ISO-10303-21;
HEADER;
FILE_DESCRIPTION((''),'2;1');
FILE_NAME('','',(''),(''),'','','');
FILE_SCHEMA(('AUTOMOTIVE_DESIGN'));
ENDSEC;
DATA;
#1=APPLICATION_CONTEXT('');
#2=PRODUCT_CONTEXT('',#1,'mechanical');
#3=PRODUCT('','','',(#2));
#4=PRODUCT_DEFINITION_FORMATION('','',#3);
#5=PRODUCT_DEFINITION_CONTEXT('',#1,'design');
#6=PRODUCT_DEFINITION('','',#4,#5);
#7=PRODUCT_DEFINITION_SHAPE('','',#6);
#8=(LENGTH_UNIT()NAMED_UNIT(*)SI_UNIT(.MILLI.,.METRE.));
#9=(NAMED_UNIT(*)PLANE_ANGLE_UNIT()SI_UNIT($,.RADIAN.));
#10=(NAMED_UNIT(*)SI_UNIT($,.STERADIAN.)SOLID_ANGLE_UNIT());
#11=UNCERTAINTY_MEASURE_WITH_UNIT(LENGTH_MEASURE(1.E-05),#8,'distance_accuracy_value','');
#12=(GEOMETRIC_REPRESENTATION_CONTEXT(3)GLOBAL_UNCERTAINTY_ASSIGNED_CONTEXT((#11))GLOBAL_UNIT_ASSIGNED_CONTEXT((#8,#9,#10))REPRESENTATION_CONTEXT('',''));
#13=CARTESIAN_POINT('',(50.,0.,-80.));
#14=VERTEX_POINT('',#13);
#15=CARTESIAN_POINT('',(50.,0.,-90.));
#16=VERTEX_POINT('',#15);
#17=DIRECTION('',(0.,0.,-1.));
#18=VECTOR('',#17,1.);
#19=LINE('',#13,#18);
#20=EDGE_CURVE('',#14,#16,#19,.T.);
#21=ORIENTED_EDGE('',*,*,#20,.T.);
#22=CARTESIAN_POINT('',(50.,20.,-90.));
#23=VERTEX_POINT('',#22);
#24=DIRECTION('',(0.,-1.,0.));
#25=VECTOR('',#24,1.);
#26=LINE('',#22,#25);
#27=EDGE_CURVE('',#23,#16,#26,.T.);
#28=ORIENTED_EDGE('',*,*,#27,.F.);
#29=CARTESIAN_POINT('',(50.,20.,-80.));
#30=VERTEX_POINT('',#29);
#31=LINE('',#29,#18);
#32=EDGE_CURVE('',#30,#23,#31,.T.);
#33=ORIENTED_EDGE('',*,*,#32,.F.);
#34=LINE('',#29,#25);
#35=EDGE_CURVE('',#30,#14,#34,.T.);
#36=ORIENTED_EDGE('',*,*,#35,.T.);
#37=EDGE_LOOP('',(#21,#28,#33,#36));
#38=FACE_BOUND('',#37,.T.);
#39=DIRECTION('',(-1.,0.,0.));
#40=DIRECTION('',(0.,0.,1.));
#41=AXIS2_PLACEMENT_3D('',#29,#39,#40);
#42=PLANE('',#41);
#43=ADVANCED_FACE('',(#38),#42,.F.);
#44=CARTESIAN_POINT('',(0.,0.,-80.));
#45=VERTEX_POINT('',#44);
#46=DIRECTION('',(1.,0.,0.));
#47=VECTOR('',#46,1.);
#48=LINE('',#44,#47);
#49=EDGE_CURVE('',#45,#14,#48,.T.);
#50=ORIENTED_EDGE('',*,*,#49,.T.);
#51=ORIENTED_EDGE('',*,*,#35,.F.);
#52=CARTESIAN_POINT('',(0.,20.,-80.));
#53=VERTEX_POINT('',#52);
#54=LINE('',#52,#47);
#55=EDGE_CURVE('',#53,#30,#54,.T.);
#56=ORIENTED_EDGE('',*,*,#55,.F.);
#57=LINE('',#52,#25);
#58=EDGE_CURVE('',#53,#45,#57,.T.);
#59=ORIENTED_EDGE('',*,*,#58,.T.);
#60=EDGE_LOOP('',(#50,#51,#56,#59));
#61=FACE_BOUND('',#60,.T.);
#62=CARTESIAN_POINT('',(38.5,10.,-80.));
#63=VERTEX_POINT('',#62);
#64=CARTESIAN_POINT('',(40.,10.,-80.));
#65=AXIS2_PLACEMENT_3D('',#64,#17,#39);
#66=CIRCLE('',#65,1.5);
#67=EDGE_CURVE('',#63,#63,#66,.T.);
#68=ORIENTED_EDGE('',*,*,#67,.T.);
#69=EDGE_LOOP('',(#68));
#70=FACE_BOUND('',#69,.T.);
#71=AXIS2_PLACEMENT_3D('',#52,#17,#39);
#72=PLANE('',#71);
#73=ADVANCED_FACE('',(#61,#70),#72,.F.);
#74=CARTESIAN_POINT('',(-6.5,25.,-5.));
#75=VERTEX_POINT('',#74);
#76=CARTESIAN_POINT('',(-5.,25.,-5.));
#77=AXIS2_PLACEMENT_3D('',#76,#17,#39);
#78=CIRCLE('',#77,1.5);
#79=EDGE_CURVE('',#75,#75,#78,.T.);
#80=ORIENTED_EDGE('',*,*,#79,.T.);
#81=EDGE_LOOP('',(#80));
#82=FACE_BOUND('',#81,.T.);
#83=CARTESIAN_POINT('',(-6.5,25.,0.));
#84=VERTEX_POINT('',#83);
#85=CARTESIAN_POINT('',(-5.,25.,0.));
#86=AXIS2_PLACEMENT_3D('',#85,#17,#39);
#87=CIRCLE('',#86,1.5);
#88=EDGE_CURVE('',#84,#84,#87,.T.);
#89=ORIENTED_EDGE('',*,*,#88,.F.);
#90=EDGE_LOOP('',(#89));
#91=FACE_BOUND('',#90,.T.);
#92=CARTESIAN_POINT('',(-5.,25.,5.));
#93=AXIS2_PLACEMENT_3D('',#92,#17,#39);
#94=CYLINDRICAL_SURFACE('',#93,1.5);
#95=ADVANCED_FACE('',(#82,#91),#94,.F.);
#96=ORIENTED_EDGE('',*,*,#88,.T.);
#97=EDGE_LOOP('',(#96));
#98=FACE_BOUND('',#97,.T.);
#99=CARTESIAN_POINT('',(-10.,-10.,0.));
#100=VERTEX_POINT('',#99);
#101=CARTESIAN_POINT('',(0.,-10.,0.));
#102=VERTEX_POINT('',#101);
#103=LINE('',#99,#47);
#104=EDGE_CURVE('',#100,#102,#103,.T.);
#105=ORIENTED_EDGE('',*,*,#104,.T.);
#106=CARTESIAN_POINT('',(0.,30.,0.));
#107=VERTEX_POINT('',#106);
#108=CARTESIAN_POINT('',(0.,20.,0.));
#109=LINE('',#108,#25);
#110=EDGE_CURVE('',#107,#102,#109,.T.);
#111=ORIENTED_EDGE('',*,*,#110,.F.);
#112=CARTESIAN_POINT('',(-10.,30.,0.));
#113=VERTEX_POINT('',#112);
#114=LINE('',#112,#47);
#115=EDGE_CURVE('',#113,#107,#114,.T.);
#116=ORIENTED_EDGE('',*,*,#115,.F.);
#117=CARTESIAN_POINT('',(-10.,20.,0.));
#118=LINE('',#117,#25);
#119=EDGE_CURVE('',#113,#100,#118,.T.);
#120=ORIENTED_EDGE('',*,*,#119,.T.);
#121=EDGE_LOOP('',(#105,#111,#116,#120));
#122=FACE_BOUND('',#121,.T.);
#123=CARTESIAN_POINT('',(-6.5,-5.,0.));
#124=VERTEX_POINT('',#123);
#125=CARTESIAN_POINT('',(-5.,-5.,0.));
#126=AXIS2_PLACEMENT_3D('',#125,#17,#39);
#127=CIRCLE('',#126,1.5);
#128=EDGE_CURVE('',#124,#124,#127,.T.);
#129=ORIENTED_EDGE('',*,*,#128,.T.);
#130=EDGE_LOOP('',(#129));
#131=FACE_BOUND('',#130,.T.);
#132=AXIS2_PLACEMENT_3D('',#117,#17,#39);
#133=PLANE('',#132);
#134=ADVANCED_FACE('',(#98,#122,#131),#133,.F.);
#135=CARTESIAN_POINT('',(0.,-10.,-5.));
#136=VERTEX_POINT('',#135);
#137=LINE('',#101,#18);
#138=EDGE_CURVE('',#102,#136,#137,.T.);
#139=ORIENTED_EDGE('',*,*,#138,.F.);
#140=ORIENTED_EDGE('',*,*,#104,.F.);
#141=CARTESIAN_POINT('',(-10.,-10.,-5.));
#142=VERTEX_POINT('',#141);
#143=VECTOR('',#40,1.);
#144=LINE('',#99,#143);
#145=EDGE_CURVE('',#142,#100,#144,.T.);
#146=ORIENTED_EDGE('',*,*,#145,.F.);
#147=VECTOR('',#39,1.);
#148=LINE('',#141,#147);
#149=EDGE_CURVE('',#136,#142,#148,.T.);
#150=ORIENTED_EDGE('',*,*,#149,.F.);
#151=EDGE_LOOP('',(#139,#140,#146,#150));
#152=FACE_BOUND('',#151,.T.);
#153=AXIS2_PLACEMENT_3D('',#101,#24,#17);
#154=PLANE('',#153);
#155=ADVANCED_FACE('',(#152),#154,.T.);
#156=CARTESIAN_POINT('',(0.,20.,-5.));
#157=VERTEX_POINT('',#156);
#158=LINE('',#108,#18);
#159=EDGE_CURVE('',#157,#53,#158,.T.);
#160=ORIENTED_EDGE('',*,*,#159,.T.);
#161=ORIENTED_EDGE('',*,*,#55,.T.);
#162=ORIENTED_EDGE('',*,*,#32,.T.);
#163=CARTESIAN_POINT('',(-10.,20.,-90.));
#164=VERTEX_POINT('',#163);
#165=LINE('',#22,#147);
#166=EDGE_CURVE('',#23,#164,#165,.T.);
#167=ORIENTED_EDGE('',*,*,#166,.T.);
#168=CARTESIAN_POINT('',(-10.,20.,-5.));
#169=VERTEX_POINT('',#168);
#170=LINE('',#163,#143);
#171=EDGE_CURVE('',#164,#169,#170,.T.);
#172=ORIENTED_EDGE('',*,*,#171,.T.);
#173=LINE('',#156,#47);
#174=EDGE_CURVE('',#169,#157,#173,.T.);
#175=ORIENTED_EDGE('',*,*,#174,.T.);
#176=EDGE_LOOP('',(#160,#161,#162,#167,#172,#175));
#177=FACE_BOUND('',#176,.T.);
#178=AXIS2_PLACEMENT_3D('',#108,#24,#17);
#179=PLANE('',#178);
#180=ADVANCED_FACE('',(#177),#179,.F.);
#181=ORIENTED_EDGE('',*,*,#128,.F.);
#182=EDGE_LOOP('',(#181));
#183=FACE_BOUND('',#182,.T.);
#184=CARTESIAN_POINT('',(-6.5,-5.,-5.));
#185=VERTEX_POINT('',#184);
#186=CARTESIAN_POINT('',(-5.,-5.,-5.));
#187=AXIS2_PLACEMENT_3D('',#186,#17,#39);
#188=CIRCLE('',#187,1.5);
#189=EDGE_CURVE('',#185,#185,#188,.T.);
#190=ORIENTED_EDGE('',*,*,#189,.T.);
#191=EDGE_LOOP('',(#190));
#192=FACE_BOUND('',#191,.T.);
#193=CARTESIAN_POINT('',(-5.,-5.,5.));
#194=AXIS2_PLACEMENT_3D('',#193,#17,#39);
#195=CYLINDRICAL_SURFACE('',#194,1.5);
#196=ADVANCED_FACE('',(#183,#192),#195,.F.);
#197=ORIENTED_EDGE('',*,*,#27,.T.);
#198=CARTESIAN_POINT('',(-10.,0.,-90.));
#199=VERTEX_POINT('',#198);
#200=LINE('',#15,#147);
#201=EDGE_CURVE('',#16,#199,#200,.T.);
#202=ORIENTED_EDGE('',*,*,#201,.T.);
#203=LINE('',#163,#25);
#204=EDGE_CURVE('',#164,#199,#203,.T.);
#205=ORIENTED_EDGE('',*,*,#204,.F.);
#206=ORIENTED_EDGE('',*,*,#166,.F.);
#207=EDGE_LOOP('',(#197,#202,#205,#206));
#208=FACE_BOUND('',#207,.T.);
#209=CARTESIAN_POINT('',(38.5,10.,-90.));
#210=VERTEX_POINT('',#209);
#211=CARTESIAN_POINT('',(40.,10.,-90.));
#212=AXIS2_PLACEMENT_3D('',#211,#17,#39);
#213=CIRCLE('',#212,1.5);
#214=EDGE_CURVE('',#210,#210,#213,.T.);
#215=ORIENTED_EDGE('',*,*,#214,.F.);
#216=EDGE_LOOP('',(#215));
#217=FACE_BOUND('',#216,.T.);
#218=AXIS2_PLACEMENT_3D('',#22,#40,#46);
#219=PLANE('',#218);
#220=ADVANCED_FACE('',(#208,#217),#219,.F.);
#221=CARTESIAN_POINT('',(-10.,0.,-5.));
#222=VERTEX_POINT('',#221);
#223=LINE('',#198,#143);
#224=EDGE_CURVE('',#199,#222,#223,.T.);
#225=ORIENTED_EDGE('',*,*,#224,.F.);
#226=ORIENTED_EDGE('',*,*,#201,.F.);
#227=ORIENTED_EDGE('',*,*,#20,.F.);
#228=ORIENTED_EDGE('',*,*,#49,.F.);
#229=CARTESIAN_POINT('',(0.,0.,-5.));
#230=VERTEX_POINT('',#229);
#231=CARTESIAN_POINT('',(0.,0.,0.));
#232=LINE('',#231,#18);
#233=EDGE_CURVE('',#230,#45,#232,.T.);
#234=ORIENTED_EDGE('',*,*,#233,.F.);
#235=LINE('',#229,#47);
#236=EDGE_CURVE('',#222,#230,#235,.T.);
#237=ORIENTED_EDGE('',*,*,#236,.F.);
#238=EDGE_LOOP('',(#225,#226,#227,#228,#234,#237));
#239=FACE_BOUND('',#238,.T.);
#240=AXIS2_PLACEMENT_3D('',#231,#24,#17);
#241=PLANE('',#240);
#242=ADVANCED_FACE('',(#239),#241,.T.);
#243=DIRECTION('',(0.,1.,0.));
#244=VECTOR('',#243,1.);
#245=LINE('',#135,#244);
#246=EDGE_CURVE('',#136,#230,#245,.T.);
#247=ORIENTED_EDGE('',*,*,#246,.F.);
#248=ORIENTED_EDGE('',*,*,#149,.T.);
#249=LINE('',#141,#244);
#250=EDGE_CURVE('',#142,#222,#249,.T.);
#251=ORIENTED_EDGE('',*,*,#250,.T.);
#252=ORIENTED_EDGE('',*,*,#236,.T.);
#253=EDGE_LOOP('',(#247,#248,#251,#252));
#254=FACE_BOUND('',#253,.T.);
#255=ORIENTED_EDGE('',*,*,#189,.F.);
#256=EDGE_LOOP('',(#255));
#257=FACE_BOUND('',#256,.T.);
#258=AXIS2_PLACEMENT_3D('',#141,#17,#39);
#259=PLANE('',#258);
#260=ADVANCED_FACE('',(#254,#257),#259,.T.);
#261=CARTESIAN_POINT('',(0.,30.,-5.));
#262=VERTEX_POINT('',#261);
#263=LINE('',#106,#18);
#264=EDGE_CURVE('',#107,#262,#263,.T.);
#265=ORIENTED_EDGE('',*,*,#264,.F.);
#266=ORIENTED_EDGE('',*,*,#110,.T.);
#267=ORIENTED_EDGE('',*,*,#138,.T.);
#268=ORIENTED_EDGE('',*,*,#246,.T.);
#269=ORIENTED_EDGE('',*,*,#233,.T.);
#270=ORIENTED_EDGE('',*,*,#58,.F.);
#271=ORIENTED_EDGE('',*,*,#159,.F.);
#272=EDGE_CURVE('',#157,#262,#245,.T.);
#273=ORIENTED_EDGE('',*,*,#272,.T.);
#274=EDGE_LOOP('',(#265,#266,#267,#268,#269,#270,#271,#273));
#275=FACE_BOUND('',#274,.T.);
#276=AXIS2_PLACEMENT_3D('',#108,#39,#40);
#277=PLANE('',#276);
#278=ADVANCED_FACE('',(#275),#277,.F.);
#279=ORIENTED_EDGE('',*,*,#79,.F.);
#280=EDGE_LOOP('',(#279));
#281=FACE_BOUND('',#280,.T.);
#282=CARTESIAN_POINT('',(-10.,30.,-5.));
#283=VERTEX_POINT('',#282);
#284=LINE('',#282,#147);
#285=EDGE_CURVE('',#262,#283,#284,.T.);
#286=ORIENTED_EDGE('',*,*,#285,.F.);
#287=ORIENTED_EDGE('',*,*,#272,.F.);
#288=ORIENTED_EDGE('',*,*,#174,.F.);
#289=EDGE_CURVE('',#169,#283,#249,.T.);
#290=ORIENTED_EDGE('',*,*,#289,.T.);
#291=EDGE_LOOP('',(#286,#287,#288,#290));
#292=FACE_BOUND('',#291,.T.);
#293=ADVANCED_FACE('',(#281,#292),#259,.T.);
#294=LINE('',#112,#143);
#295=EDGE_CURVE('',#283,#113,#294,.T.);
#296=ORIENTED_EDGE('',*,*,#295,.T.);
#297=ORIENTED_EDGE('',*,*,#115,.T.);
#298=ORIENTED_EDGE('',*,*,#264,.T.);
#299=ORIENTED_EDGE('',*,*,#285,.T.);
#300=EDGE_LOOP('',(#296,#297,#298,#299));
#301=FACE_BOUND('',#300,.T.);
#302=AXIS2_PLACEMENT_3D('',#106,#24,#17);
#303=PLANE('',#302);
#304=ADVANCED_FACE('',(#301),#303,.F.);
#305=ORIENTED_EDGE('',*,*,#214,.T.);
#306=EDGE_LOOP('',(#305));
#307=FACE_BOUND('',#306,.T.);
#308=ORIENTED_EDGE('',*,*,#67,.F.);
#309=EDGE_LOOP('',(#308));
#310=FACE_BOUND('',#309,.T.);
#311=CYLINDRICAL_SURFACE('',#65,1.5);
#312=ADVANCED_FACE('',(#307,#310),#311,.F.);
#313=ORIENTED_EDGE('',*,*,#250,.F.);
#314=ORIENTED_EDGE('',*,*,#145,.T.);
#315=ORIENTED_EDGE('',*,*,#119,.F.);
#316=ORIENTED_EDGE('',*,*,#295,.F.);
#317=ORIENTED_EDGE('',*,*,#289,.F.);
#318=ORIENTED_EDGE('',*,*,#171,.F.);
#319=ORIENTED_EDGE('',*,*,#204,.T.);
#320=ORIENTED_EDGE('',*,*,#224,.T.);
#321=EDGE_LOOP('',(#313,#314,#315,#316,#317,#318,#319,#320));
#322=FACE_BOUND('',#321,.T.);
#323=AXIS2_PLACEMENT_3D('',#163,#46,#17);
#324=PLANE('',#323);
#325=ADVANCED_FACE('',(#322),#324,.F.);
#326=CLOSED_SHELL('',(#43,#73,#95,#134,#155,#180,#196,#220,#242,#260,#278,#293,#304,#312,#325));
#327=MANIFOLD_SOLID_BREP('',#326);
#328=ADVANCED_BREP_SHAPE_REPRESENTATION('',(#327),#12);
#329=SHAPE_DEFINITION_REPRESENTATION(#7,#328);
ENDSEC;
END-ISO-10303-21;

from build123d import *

# Parameters (mm, degrees)
Y_KSEKLIK_EKSTR_ZYON1_DEPTH      = 20
Y_KSEKLIK_EKSTR_ZYON2_DEPTH      = 10
Y_KSEKLIK_EKSTR_ZYON2_DEPTH_BACK = 30
IZIM2_W                          = 10
IZIM2_H                          = 5
IZIM3_R                          = 1.5
KES_EKSTR_ZYON1_DEPTH            = 10
IZIM4_R                          = 1.5
KES_EKSTR_ZYON2_DEPTH            = 10


with BuildPart() as part:
    # Çizim1 → Yükseklik-Ekstrüzyon1 (new body)
    with BuildSketch(Plane(origin=(0, 0, 0), x_dir=(1, 0, 0), z_dir=(0, 1, 0))):
        Polygon((-10, 0), (0, 0), (0, 80), (50, 80), (50, 90), (-10, 90), align=None)
    extrude(amount=Y_KSEKLIK_EKSTR_ZYON1_DEPTH)

    # Çizim2 → Yükseklik-Ekstrüzyon2 (add, two sides: drawn at the far end of the back side and taken through both)
    with BuildSketch(Plane(origin=(0, 20, 0), x_dir=(1, 0, 0), z_dir=(0, 1, 0)).offset(-Y_KSEKLIK_EKSTR_ZYON2_DEPTH_BACK)):
        with Locations((-5, 2.5)):
            Rectangle(IZIM2_W, IZIM2_H)
    extrude(amount=Y_KSEKLIK_EKSTR_ZYON2_DEPTH + Y_KSEKLIK_EKSTR_ZYON2_DEPTH_BACK)

    # Çizim3 → Kes-Ekstrüzyon1 (cut)
    with BuildSketch(Plane(origin=(0, 0, -5), x_dir=(-1, 0, 0), z_dir=(0, 0, -1))):
        with Locations((5, 25)):
            Circle(IZIM3_R)
        with Locations((5, -5)):
            Circle(IZIM3_R)
    extrude(amount=-KES_EKSTR_ZYON1_DEPTH, mode=Mode.SUBTRACT)

    # Çizim4 → Kes-Ekstrüzyon2 (cut)
    with BuildSketch(Plane(origin=(0, 0, -90), x_dir=(-1, 0, 0), z_dir=(0, 0, -1))):
        with Locations((-40, 10)):
            Circle(IZIM4_R)
    extrude(amount=-KES_EKSTR_ZYON2_DEPTH, mode=Mode.SUBTRACT)


solid = part.part
